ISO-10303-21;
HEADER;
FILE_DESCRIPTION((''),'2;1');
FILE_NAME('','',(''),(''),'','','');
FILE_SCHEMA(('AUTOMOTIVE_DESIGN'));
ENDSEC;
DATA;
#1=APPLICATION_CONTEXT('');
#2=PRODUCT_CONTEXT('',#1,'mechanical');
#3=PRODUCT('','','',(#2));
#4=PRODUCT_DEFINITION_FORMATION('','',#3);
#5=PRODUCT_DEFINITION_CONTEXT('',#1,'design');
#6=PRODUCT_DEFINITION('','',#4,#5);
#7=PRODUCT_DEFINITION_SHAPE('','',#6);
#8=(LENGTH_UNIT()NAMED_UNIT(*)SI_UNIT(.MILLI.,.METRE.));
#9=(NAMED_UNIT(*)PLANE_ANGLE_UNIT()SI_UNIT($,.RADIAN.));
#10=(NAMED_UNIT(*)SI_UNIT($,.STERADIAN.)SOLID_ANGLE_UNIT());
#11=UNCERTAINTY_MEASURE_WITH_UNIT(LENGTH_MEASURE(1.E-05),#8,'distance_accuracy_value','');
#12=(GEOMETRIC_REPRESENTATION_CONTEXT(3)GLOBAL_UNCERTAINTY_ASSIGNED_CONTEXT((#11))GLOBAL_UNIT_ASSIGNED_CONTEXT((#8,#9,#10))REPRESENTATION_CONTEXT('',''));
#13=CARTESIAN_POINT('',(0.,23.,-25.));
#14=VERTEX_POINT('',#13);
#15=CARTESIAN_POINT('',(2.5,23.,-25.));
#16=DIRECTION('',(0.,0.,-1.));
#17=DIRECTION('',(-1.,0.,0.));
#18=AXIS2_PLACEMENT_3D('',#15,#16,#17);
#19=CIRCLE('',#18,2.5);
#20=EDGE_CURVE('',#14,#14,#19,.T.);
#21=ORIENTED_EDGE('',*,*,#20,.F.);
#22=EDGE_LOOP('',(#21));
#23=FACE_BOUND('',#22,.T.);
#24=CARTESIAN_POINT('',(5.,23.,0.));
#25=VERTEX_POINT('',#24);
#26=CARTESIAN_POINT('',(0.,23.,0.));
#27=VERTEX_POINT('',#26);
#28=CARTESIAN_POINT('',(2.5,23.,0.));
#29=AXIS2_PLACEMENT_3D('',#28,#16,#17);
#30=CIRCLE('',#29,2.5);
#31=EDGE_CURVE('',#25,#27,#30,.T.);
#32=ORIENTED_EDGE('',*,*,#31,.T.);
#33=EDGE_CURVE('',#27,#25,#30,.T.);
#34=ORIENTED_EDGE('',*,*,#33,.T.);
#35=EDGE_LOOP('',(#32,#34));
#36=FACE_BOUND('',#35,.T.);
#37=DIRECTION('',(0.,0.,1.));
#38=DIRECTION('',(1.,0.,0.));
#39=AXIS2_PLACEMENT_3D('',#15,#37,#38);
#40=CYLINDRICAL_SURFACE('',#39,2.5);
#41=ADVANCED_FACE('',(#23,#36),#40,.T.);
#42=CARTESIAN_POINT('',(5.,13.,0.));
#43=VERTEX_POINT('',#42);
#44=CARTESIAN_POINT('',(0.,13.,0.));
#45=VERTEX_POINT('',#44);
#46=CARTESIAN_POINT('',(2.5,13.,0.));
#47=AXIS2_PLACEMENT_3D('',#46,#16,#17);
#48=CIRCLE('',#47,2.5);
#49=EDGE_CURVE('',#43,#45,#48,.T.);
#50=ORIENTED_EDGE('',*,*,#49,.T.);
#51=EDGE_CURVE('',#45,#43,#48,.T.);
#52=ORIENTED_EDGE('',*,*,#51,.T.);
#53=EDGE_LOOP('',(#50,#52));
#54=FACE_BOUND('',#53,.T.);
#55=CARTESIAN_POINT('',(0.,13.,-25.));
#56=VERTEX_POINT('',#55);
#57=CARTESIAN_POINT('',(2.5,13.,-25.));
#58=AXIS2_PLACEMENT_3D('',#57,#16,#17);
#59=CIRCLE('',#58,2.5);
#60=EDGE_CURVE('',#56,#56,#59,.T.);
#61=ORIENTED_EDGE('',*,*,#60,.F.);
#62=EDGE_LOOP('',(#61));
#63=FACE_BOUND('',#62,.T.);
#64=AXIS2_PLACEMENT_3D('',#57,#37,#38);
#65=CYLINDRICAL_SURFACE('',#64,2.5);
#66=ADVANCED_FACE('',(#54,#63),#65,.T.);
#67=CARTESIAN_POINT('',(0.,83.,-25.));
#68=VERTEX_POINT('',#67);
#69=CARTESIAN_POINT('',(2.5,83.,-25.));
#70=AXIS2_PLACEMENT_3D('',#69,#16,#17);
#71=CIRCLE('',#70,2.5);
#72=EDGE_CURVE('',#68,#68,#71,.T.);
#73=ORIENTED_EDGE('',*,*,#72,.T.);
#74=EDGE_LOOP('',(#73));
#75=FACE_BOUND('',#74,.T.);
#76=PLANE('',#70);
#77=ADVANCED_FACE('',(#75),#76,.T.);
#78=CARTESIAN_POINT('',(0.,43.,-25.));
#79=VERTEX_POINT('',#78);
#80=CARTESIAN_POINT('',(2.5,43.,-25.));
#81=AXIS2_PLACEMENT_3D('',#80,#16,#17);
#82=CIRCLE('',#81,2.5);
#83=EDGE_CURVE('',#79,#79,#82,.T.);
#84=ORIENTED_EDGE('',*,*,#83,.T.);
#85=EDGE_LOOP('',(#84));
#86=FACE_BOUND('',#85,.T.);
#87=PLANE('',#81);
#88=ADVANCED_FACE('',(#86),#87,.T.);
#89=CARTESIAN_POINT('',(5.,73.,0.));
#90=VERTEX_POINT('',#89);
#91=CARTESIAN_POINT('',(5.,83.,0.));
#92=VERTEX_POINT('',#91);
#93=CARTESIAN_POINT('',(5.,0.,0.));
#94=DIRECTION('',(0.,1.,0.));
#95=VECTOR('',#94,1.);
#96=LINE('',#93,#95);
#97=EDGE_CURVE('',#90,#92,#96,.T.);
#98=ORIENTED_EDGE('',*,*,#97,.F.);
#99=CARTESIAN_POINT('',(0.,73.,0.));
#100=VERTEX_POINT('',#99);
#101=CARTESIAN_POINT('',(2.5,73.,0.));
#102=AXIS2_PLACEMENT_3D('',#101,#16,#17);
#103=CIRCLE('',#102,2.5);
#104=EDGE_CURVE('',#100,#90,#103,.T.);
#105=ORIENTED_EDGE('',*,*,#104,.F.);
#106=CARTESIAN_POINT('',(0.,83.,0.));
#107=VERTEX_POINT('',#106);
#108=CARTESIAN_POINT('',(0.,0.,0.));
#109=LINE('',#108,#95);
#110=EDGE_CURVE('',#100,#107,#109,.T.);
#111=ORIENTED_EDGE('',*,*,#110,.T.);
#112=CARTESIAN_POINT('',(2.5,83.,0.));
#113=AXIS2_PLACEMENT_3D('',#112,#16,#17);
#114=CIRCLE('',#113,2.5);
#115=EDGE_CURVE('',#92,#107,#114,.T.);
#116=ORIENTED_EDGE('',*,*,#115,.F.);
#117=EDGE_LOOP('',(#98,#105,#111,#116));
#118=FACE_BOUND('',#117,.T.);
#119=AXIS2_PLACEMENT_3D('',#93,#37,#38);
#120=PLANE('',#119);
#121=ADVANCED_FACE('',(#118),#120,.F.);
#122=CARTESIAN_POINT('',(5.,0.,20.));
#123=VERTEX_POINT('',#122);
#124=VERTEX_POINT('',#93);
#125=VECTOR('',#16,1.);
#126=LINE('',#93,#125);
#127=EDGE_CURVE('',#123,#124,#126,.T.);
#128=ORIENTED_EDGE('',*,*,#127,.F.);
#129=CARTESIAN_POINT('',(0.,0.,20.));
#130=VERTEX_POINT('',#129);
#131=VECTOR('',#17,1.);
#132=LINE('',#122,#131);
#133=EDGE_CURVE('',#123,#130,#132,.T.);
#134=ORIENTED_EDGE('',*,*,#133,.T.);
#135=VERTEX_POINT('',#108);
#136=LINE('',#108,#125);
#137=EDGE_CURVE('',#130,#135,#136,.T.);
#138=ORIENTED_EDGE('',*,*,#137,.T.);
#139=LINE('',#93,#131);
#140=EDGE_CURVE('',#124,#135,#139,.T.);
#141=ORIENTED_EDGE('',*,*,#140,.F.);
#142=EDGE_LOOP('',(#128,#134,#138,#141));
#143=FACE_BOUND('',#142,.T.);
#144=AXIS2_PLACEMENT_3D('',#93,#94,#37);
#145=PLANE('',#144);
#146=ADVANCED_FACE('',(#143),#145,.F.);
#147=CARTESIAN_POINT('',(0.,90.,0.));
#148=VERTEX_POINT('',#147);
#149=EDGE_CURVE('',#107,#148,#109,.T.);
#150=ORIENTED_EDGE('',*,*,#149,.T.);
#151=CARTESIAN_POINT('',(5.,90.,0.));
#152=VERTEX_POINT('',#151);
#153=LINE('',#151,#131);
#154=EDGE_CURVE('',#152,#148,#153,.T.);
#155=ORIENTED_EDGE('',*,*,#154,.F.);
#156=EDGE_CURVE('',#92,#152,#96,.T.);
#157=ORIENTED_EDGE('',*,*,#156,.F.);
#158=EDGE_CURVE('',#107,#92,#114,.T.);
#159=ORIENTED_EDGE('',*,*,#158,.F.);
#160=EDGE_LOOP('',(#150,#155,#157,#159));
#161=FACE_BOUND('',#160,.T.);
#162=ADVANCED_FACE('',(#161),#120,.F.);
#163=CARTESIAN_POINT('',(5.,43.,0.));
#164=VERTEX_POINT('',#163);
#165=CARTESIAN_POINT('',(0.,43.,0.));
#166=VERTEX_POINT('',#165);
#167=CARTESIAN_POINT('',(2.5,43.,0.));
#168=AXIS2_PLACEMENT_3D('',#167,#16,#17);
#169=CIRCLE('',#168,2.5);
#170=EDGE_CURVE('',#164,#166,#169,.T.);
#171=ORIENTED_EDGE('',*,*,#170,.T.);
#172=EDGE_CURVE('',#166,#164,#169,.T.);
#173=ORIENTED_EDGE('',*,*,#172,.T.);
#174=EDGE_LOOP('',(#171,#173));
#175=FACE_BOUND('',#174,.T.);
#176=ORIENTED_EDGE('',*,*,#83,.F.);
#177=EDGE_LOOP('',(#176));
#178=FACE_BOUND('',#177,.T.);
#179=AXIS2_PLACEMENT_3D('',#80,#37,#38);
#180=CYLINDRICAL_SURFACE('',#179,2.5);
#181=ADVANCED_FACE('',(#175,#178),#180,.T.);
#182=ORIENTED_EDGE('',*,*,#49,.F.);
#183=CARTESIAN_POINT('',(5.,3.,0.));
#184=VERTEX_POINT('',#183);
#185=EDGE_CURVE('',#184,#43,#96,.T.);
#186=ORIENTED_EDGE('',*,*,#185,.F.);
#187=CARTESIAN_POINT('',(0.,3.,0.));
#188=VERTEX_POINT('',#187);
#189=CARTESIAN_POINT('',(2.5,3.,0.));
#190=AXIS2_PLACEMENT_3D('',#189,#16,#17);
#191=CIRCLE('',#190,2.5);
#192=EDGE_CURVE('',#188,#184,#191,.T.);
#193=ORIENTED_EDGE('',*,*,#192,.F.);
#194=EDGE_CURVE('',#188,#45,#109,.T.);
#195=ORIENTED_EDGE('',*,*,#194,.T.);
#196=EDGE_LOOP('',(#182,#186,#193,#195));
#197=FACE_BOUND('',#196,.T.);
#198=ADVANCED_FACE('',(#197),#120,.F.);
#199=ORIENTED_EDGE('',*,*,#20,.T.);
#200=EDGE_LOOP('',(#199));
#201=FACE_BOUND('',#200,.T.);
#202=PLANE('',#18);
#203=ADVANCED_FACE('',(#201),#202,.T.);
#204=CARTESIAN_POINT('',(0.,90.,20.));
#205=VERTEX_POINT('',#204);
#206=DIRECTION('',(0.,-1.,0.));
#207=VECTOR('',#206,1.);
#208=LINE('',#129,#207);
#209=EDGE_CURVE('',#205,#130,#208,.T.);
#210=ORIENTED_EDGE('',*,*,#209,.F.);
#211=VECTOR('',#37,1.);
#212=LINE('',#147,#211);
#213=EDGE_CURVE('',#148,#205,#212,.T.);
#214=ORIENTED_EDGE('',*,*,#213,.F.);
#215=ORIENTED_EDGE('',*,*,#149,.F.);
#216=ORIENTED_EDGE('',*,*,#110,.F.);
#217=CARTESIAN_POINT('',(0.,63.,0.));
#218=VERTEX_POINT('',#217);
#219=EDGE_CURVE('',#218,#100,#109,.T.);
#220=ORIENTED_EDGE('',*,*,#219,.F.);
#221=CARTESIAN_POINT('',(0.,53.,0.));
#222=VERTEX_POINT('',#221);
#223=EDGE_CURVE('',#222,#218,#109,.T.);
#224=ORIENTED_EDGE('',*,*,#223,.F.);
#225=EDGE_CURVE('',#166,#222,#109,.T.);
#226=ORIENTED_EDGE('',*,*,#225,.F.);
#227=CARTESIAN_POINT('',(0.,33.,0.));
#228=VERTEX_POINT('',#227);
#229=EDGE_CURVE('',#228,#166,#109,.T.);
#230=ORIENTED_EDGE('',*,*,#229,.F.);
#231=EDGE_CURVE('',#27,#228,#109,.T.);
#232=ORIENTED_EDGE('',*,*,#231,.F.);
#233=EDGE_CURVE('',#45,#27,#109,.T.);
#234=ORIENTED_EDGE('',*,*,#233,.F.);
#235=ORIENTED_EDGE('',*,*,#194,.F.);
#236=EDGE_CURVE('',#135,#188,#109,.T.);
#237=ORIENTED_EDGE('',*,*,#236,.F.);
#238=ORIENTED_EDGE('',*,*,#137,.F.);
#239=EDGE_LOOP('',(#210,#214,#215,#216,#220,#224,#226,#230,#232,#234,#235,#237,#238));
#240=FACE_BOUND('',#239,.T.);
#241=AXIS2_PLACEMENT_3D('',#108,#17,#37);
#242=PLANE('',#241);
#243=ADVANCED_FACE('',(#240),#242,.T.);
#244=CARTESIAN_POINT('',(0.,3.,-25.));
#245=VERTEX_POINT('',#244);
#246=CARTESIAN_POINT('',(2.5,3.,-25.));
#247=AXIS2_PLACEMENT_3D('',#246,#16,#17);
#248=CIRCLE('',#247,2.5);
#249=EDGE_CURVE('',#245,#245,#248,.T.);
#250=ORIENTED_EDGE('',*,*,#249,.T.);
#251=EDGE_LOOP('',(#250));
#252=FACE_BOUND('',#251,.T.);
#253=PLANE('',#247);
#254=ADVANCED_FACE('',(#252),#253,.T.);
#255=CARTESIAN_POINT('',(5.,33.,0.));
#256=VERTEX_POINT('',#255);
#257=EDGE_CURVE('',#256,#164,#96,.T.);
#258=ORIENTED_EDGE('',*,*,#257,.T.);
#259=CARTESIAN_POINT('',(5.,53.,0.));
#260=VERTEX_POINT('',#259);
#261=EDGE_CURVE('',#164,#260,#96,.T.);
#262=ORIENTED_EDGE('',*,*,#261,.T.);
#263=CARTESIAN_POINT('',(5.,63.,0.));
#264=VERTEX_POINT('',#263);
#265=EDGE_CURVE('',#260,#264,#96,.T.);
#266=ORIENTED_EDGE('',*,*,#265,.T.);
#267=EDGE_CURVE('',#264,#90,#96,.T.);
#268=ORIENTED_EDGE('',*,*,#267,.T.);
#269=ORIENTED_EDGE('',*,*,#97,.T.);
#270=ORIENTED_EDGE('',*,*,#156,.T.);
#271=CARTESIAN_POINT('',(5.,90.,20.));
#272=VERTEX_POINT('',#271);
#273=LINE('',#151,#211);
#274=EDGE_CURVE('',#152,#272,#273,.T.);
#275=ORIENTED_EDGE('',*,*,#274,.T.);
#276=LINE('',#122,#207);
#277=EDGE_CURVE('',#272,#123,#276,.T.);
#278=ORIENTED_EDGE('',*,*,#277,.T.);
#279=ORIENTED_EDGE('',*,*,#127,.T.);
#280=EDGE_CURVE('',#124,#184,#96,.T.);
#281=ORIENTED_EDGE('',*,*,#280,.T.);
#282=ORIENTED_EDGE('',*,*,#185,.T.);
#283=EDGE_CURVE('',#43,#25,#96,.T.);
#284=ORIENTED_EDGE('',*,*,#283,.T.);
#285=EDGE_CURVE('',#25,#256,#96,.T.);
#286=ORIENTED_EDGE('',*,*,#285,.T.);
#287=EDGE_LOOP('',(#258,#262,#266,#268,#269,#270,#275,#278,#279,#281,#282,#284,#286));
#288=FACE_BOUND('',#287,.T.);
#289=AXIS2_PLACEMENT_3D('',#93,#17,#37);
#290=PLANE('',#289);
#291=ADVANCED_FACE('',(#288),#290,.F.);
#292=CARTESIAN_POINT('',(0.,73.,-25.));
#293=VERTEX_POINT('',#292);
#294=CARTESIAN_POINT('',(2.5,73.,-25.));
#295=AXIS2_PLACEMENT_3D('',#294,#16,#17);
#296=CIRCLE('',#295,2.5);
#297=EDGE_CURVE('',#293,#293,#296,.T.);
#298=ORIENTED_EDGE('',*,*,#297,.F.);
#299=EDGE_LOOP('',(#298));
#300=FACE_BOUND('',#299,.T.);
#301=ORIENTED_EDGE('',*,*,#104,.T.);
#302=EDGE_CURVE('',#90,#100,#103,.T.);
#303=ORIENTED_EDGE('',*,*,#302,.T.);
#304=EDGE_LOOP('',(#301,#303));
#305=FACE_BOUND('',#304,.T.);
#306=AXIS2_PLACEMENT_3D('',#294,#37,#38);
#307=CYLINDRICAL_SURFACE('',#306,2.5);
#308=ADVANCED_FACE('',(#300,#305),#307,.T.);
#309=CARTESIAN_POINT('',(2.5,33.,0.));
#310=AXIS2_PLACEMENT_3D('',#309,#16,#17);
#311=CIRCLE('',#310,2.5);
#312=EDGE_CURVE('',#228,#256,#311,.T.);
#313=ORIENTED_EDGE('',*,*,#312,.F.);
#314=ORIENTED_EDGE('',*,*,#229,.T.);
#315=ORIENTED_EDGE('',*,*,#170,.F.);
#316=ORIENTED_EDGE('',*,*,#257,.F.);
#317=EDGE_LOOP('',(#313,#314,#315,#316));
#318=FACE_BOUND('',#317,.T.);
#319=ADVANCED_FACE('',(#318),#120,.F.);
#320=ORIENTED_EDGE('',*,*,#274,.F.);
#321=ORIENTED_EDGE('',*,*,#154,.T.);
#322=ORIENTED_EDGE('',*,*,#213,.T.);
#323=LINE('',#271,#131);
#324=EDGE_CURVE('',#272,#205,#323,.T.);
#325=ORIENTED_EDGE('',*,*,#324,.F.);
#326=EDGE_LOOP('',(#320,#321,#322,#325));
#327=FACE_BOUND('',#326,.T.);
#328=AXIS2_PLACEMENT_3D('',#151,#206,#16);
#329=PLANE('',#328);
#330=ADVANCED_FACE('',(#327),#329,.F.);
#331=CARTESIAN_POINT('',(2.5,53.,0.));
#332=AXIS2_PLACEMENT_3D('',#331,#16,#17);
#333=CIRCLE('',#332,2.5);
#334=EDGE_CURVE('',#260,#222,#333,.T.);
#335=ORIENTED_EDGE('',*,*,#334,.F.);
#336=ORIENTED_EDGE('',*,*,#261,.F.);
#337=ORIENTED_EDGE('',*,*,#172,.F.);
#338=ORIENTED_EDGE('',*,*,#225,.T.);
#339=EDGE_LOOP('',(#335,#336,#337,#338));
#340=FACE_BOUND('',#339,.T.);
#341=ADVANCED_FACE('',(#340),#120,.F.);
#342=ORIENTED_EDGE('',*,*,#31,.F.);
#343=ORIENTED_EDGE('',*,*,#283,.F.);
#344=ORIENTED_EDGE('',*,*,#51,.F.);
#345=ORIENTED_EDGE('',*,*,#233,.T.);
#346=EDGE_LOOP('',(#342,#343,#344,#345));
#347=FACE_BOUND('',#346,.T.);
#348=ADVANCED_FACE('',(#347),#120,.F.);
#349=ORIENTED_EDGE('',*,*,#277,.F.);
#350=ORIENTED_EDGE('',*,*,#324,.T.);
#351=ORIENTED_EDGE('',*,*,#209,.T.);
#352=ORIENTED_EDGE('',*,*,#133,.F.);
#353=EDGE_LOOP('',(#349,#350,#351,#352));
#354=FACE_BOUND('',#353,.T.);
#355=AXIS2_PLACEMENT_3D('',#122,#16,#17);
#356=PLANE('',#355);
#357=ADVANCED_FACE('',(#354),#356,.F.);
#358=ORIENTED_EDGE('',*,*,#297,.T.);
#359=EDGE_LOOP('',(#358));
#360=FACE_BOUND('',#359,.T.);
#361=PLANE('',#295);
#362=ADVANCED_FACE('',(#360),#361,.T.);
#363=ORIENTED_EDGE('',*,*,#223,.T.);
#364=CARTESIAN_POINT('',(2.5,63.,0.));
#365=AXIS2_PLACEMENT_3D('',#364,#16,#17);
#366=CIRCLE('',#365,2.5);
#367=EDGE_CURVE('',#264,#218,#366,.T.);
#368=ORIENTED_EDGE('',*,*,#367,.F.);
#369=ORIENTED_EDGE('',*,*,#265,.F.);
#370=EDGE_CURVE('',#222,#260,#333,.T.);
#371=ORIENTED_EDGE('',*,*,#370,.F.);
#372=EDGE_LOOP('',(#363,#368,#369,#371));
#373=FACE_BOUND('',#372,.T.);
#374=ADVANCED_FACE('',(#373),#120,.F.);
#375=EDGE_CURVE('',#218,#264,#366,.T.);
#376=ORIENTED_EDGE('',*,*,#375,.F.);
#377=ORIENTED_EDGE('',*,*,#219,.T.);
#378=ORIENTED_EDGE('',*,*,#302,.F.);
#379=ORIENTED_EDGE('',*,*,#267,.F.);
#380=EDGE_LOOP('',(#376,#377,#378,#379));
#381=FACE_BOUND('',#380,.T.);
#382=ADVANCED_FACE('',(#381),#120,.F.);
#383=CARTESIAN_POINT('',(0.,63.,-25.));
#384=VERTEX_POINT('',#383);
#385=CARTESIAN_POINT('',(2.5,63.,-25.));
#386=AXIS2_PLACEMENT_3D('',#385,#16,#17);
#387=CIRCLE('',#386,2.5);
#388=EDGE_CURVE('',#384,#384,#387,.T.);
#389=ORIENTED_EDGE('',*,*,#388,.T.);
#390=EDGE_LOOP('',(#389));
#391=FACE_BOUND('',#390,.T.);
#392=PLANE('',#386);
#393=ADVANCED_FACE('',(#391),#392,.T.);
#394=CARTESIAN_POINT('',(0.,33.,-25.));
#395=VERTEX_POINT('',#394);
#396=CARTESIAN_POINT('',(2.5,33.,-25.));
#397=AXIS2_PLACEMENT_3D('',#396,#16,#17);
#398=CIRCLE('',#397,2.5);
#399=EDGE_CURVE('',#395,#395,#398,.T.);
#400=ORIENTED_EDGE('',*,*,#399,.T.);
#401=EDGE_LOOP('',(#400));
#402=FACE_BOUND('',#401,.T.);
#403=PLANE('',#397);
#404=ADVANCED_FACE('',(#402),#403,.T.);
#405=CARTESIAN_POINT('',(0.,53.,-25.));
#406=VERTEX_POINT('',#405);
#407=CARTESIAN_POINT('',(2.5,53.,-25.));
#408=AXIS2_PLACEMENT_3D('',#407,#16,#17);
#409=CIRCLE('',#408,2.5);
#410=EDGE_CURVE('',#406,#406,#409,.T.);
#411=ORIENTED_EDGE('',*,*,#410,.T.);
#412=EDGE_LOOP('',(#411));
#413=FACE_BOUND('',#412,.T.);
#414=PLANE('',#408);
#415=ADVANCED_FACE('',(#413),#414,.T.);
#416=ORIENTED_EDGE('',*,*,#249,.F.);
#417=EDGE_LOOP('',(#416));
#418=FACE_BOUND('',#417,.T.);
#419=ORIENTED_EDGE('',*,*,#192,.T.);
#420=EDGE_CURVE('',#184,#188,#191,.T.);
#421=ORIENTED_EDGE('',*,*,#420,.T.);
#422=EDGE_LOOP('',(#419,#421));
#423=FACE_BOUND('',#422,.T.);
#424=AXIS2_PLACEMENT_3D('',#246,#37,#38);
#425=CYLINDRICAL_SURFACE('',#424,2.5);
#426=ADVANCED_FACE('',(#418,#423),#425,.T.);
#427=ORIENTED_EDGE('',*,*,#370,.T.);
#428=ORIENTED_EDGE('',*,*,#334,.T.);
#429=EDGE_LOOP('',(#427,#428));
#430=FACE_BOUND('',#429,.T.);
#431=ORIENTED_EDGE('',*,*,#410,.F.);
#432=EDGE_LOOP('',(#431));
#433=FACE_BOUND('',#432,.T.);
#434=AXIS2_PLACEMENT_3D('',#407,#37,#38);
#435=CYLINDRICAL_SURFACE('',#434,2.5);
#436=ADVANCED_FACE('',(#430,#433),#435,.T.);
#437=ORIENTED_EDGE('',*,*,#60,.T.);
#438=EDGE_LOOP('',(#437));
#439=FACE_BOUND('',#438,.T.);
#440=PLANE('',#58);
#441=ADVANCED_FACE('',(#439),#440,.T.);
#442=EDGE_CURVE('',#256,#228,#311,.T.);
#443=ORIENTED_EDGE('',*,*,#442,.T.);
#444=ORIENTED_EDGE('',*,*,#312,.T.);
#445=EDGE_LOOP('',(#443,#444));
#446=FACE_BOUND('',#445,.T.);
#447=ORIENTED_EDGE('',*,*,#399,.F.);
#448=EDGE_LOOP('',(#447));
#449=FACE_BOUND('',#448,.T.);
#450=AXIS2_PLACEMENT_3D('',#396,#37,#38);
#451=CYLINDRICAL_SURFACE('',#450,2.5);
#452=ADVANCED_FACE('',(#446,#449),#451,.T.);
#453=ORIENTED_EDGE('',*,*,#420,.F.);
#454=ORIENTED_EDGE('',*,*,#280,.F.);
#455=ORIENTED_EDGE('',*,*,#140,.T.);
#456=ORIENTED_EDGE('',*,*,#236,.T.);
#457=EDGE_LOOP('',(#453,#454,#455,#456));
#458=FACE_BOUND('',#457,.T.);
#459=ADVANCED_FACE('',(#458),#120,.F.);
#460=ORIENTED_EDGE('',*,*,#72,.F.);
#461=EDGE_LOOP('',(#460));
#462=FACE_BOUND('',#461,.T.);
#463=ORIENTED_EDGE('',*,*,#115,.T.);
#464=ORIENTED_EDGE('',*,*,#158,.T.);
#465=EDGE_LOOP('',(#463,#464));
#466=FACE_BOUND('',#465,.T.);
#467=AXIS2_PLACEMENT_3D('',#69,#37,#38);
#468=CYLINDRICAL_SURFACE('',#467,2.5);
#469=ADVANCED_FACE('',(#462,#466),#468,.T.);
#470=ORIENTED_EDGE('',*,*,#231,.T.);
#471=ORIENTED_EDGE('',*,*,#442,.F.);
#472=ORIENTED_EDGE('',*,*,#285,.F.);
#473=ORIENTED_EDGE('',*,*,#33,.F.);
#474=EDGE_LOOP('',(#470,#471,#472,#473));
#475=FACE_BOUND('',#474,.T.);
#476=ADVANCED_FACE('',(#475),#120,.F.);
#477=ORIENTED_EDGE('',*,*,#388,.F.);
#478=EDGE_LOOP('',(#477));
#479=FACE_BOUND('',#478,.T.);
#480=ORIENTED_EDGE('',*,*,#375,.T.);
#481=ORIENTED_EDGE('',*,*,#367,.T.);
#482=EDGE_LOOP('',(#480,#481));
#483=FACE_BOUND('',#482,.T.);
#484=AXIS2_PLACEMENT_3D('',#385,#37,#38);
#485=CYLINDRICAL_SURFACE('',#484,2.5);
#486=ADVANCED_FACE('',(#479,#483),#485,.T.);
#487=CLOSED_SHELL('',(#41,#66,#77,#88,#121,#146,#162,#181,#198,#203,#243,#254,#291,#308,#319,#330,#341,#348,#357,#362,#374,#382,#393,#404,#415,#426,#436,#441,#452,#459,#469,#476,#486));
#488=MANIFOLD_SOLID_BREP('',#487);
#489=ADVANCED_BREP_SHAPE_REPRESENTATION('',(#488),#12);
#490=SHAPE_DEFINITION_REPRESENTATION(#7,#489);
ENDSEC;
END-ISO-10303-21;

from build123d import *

# Parameters (mm, degrees)
SKETCH1_W           = 90
SKETCH1_H           = 20
BOSS_EXTRUDE1_DEPTH = 5
SKETCH2_R           = 2.5
BOSS_EXTRUDE2_DEPTH = 25


with BuildPart() as part:
    # Sketch1 → Boss-Extrude1 (new body)
    with BuildSketch(Plane.YZ):
        with Locations((45, 10)):
            Rectangle(SKETCH1_W, SKETCH1_H)
    extrude(amount=BOSS_EXTRUDE1_DEPTH)

    # Sketch2 → Boss-Extrude2 (add)
    with BuildSketch(Plane(origin=(0, 0, 0), x_dir=(1, 0, 0), z_dir=(0, 0, -1))):
        with Locations(Location((2.5, -3, 0), (0, 0, 180))):
            Circle(SKETCH2_R)
        with Locations(Location((2.5, -13, 0), (0, 0, 180))):
            Circle(SKETCH2_R)
        with Locations(Location((2.5, -23, 0), (0, 0, 180))):
            Circle(SKETCH2_R)
        with Locations(Location((2.5, -33, 0), (0, 0, 180))):
            Circle(SKETCH2_R)
        with Locations(Location((2.5, -43, 0), (0, 0, 180))):
            Circle(SKETCH2_R)
        with Locations(Location((2.5, -53, 0), (0, 0, 180))):
            Circle(SKETCH2_R)
        with Locations(Location((2.5, -63, 0), (0, 0, 180))):
            Circle(SKETCH2_R)
        with Locations(Location((2.5, -73, 0), (0, 0, 180))):
            Circle(SKETCH2_R)
        with Locations(Location((2.5, -83, 0), (0, 0, 180))):
            Circle(SKETCH2_R)
    extrude(amount=BOSS_EXTRUDE2_DEPTH)


solid = part.part
